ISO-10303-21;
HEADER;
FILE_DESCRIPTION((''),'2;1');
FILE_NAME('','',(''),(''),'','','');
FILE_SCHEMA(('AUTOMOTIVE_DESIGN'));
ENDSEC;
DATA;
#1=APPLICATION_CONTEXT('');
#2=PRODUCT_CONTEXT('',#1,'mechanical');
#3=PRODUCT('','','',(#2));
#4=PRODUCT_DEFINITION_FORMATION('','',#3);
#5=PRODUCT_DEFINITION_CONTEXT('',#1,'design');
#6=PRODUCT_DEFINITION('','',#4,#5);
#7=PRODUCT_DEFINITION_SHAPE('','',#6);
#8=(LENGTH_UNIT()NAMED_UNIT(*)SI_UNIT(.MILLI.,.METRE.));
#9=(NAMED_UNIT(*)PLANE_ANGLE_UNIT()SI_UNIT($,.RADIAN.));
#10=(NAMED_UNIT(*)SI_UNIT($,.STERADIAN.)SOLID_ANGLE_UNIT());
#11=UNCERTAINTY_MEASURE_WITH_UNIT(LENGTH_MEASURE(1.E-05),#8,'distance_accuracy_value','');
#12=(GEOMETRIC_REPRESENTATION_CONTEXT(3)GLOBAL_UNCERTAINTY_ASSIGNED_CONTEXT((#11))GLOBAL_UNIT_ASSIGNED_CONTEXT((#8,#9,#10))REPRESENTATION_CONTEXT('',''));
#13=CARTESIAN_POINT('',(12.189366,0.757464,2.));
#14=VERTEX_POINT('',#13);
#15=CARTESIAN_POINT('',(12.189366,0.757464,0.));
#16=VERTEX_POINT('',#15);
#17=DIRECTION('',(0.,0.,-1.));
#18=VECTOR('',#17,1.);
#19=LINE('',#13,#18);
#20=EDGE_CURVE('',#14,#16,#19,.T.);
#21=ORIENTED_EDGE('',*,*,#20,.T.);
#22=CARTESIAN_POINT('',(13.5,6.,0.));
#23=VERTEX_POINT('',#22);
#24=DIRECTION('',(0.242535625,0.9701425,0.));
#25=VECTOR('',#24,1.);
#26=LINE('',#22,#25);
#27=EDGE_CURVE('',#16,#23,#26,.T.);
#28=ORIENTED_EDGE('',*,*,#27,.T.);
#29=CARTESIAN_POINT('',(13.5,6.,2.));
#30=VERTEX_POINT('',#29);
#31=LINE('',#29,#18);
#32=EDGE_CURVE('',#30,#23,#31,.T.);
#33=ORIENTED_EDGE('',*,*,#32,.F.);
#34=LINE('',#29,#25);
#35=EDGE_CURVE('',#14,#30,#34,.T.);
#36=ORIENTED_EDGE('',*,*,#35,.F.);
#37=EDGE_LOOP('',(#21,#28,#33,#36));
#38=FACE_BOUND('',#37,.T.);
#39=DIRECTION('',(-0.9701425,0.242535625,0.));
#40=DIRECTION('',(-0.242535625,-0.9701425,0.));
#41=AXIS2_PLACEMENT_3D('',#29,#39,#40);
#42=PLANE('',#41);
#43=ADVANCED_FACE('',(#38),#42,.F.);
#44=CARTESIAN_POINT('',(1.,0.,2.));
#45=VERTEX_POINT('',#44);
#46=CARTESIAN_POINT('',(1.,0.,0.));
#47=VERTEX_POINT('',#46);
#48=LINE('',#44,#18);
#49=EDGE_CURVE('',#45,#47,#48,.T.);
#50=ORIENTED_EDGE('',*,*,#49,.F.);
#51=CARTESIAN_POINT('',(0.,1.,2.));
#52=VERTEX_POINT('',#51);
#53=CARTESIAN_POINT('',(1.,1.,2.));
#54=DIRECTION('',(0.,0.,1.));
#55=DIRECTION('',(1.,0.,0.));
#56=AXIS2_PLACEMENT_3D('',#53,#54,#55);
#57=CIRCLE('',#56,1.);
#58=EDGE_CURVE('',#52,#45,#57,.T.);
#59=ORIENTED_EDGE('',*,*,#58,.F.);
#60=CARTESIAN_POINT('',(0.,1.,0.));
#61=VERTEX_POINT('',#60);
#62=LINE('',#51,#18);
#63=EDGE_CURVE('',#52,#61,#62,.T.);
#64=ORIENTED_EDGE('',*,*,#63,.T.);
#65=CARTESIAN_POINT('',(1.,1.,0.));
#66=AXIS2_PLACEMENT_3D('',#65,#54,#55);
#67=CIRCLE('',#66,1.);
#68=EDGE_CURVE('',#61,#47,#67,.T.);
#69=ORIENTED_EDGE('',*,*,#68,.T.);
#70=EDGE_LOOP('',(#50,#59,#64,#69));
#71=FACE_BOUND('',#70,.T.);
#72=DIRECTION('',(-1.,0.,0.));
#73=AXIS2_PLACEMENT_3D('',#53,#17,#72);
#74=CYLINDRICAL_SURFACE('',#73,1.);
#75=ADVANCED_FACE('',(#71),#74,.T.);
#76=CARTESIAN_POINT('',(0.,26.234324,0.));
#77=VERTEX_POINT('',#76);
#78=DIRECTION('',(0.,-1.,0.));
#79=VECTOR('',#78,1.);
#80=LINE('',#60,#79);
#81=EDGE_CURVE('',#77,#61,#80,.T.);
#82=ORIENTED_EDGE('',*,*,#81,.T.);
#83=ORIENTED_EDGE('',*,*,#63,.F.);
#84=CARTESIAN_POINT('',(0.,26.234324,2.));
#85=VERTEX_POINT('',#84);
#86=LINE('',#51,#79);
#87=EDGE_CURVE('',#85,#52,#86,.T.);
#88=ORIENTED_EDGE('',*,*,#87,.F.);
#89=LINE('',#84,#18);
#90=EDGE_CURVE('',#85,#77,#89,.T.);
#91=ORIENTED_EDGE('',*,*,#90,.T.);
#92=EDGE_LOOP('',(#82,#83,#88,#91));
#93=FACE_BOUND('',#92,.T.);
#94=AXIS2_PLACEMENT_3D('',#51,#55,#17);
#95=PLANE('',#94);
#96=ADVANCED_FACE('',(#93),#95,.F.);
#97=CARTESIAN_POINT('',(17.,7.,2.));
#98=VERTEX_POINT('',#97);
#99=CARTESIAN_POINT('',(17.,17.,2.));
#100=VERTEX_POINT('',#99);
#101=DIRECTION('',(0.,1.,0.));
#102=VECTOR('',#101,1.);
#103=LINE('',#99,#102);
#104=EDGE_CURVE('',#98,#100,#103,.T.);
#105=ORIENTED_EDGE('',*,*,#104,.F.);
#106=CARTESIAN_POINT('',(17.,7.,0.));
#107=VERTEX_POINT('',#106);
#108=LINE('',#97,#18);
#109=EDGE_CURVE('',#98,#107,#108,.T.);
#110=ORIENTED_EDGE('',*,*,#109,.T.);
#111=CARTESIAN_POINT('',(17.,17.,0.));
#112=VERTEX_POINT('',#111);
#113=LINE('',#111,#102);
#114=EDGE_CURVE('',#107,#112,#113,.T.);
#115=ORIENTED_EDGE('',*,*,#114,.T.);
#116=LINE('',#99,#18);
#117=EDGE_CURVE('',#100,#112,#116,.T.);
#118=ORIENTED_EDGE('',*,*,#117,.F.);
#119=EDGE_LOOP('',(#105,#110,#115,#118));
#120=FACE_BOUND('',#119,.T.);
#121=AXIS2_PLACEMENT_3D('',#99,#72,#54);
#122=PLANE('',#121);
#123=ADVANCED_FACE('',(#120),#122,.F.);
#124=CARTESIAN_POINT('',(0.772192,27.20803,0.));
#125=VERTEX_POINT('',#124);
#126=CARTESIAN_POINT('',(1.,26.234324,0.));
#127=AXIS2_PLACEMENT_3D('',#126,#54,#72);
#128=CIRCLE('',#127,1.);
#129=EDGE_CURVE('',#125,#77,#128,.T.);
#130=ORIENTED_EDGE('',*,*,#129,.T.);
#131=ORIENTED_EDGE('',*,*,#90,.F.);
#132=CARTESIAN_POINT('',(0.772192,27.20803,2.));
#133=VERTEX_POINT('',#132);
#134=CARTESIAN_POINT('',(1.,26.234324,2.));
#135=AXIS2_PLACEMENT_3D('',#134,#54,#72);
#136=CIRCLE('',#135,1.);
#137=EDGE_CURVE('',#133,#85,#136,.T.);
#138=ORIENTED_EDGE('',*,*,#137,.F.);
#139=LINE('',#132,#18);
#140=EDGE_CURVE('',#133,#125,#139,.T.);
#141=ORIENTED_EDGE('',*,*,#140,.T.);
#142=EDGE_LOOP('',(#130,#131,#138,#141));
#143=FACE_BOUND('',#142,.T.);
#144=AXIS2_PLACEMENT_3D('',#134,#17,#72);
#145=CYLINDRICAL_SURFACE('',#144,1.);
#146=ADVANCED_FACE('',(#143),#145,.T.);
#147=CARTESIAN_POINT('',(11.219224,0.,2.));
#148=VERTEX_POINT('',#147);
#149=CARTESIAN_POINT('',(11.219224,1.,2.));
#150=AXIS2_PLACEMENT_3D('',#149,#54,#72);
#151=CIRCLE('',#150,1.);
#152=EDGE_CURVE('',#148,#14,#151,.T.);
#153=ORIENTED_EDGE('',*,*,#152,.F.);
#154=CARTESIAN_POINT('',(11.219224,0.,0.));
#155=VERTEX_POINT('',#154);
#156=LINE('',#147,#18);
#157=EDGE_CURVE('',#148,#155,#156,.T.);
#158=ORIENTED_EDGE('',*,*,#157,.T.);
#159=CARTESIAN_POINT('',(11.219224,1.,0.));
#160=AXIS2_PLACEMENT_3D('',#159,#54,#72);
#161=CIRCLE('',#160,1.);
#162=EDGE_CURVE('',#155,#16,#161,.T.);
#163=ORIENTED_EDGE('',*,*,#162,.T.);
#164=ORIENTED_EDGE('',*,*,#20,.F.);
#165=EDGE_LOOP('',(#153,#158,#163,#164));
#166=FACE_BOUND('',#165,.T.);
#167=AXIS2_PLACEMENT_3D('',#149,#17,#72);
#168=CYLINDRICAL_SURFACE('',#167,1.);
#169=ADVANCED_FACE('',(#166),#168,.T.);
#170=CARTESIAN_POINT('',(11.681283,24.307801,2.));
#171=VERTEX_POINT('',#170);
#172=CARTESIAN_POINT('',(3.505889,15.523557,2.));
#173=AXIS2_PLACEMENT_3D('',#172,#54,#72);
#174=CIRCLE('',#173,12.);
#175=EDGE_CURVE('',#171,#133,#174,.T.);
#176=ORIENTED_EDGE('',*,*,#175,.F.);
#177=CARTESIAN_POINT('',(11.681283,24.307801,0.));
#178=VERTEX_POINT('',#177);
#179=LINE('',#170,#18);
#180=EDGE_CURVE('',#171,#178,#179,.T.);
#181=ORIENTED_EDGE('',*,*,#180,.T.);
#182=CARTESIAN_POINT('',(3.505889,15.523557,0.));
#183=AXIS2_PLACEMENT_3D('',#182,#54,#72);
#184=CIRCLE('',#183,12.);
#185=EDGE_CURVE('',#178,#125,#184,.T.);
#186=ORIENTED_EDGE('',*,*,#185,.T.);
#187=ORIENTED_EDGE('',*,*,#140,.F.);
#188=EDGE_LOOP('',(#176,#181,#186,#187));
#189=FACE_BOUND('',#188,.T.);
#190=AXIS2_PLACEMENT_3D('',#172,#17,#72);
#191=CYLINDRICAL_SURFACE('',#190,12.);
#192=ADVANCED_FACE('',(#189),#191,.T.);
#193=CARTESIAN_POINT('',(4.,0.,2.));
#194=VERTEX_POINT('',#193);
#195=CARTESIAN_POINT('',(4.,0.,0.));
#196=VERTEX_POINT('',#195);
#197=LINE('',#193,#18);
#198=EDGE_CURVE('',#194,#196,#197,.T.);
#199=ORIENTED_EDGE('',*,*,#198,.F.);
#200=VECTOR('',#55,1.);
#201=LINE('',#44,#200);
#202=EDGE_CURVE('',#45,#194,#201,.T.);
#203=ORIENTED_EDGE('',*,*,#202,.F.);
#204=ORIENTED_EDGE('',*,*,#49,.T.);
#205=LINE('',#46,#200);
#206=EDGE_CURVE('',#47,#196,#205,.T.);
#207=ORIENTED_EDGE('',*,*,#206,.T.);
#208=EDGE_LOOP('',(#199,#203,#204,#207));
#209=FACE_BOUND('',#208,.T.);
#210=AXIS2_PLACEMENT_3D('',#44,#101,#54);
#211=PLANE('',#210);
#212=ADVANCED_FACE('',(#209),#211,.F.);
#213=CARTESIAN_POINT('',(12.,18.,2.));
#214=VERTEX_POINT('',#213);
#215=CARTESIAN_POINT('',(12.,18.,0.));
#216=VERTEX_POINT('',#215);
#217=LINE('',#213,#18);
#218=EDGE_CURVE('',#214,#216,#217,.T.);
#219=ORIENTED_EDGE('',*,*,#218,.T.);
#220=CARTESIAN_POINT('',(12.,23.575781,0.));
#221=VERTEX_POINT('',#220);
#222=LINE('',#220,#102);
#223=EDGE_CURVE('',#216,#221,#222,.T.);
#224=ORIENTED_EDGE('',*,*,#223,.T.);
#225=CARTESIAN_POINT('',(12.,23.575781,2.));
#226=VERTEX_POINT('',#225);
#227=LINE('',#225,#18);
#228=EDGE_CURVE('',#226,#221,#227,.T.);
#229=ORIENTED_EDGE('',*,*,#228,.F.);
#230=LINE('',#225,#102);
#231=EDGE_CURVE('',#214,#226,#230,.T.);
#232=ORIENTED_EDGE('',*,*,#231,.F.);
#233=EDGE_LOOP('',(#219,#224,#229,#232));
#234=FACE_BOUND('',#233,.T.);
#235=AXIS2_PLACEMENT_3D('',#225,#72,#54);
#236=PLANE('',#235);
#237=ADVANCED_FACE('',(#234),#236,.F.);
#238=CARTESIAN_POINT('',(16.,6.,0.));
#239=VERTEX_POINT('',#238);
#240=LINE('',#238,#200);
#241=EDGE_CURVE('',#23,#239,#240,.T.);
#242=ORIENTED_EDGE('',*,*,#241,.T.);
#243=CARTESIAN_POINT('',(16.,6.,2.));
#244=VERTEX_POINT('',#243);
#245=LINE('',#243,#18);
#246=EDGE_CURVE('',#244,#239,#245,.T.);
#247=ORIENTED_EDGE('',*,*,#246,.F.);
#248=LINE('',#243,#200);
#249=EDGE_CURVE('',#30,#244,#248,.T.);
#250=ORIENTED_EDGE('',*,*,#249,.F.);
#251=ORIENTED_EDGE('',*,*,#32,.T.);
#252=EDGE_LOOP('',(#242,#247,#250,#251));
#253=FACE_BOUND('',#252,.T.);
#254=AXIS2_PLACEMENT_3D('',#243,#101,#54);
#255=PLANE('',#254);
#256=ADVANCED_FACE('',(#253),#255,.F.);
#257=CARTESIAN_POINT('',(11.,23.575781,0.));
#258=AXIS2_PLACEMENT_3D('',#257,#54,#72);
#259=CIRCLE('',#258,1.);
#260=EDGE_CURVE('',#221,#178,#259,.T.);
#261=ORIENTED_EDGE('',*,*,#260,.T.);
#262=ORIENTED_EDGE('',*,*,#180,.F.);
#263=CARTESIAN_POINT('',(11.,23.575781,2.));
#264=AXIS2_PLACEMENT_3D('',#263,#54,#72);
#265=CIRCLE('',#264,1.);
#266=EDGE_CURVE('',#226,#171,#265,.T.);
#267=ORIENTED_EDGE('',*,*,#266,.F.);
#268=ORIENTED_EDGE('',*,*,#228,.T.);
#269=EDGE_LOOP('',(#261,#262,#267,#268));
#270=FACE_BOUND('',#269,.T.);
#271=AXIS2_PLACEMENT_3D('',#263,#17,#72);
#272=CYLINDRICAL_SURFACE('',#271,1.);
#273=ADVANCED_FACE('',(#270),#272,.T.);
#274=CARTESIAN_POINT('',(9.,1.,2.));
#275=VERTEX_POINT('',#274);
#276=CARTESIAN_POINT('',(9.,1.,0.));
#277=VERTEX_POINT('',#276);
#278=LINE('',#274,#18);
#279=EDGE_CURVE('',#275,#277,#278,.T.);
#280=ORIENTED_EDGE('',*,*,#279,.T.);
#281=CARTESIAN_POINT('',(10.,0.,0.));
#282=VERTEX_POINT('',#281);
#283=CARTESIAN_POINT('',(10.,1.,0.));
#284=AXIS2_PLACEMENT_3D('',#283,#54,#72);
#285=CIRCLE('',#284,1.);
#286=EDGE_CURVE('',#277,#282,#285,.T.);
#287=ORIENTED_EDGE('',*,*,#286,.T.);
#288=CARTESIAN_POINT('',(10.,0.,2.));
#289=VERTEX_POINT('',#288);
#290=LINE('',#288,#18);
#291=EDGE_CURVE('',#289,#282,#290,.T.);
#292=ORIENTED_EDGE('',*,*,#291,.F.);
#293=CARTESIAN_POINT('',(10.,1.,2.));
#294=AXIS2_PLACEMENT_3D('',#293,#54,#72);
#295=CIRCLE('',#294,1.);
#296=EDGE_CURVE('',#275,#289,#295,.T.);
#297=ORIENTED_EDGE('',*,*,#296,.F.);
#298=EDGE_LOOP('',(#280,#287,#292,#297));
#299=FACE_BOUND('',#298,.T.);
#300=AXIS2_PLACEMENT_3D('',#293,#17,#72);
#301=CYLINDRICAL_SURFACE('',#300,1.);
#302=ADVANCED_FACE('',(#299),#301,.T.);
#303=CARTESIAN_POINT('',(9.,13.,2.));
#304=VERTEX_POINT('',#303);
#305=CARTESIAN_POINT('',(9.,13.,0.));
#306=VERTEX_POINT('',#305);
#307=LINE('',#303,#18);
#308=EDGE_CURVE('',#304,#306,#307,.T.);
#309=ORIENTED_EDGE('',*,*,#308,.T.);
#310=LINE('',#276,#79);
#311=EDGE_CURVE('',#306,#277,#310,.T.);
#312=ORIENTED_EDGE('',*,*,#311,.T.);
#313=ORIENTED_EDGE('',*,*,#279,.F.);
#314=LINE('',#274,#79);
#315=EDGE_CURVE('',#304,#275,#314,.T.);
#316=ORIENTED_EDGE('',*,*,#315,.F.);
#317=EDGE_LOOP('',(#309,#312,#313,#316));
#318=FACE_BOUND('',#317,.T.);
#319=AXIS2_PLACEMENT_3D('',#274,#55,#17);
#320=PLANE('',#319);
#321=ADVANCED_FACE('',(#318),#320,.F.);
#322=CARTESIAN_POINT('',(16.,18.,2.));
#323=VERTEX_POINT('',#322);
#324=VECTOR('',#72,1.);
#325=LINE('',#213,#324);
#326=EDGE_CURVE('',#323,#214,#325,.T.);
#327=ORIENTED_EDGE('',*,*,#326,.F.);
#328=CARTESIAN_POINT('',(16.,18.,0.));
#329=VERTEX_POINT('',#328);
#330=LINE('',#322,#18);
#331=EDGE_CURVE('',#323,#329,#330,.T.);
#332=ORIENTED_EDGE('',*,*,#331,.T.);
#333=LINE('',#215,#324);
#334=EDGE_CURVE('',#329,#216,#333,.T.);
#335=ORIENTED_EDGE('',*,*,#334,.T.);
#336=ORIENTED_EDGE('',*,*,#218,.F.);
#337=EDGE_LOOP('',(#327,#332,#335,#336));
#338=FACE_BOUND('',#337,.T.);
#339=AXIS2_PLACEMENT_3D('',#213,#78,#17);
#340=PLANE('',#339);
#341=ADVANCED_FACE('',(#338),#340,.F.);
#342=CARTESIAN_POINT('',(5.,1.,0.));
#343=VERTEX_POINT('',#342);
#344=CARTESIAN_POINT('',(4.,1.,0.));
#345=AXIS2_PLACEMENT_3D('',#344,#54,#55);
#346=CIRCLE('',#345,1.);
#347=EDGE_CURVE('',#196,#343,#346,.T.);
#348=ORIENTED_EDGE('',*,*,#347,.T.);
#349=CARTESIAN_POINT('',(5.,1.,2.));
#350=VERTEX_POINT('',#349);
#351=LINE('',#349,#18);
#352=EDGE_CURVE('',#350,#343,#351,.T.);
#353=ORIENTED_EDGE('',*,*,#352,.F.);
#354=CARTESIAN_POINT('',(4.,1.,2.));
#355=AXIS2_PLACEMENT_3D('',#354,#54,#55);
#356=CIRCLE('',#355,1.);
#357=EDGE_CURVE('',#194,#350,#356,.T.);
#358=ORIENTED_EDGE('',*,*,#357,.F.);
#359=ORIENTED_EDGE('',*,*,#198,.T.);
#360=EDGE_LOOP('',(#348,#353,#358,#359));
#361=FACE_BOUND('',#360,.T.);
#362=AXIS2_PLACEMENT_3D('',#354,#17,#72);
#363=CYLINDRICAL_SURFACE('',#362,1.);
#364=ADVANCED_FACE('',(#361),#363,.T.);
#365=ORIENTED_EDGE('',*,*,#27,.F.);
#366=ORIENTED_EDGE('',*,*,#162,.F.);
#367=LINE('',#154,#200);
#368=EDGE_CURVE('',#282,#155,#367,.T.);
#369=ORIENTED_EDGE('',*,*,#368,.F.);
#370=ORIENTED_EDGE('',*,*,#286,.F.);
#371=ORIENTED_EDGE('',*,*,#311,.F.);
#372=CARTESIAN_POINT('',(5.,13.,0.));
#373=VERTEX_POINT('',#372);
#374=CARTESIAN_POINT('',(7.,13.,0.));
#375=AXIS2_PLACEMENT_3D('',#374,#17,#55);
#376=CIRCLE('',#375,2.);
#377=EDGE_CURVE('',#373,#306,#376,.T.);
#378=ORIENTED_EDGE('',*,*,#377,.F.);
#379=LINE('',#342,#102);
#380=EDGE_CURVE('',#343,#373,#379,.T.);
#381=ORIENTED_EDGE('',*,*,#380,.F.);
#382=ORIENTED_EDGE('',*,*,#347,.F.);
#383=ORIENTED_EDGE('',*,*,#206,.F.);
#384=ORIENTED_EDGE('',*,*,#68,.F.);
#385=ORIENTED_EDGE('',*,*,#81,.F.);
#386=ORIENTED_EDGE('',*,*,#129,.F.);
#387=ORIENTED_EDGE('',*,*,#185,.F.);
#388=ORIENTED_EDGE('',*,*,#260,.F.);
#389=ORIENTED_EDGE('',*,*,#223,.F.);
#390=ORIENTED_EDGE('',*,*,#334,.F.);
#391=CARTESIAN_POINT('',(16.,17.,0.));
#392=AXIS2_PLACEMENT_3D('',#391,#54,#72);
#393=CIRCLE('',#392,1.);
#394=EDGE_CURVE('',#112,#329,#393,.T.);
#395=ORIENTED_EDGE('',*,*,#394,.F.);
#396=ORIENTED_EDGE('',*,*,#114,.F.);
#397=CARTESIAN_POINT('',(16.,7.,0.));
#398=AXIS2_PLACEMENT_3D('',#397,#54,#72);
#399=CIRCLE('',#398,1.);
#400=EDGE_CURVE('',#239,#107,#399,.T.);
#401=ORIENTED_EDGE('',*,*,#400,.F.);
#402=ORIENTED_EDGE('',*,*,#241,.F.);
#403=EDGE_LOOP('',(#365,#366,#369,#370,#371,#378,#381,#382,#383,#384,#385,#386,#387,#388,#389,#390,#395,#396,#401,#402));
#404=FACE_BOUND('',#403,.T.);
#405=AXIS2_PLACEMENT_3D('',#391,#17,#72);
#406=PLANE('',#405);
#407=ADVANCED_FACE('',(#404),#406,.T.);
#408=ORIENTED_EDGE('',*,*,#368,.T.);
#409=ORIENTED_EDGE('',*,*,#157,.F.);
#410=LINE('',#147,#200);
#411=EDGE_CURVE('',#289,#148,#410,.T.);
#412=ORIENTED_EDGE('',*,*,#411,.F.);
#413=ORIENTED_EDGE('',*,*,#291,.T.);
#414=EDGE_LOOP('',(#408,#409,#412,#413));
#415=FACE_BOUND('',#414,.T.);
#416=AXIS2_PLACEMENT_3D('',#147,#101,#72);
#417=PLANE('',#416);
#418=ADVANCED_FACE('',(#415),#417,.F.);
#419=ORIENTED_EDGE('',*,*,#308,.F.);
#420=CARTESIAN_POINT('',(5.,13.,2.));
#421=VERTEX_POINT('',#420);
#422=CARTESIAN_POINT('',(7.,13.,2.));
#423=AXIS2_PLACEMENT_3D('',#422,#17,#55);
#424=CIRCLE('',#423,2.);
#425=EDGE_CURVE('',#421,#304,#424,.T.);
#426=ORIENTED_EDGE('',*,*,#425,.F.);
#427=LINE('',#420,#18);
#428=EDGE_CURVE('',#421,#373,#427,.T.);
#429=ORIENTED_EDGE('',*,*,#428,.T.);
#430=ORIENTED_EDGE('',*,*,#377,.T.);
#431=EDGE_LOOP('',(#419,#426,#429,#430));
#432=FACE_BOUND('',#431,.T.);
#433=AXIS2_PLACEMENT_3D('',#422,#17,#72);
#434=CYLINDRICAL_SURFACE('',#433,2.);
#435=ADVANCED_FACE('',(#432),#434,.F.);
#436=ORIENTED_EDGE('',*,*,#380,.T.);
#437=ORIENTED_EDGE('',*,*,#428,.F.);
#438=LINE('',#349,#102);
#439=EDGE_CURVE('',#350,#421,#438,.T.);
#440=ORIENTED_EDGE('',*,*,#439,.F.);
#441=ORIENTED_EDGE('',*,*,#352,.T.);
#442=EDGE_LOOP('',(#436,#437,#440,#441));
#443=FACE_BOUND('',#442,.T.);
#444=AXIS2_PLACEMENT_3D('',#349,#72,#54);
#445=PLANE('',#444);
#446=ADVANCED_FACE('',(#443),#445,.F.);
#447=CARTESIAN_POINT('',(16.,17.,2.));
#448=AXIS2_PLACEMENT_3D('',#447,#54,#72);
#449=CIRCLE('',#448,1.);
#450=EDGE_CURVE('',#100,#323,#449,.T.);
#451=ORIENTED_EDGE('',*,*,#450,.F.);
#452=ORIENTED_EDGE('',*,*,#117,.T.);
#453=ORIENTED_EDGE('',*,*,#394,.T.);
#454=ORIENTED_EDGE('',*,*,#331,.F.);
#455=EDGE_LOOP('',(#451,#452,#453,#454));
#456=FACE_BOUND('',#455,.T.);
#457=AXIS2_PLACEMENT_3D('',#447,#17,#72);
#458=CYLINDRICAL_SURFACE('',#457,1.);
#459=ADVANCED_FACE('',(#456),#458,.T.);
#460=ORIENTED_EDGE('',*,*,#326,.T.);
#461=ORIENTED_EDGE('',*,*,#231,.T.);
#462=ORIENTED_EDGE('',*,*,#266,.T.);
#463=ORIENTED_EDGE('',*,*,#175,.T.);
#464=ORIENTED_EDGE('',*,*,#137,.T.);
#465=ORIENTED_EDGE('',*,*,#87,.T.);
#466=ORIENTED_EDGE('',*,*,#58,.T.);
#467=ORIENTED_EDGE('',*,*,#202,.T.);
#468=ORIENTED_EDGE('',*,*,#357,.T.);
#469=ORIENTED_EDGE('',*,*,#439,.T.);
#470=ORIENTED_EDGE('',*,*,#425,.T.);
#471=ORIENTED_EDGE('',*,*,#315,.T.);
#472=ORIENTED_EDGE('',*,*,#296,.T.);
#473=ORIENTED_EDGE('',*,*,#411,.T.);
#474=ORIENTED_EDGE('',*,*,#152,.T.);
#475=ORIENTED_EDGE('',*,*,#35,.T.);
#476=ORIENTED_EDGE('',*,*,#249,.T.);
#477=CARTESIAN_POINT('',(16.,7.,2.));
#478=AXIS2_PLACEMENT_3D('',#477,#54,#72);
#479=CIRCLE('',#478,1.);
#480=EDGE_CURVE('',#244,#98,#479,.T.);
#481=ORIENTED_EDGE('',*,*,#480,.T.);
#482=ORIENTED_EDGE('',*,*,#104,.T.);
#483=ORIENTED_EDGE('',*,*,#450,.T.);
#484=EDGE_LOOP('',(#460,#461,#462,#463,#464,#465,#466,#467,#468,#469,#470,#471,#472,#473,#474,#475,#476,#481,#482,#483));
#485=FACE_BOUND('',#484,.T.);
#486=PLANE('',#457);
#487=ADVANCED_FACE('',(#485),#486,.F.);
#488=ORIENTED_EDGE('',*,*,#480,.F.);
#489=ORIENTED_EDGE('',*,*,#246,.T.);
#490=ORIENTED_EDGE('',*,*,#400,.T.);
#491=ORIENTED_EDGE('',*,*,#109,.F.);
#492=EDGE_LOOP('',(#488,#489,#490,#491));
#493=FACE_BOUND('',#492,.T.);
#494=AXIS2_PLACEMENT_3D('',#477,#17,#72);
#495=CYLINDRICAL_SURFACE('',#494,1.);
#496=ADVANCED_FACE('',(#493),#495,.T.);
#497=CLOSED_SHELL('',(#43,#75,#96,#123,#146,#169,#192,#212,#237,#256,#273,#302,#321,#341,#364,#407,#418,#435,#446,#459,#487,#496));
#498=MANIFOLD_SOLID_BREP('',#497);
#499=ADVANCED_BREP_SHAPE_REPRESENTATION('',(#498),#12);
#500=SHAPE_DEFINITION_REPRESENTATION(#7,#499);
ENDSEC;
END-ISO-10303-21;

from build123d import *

# Parameters (mm, degrees)
RESSALTO_EXTRUS_O1_DEPTH = 2


with BuildPart() as part:
    # Esboço1 → Ressalto-extrusão1 (new body)
    with BuildSketch(Plane.XY):
        with BuildLine():
            Line((0, 1), (0, 26.234323652))
            ThreePointArc((0, 26.234323652), (0.216479701, 26.855689841), (0.772191883, 27.208029697))
            ThreePointArc((0.772191883, 27.208029697), (6.58904443, 27.120718638), (11.681282792, 24.30780107))
            ThreePointArc((11.681282792, 24.30780107), (11.916864982, 23.974978194), (12, 23.575780744))
            Line((12, 23.575780744), (12, 18))
            Line((12, 18), (16, 18))
            ThreePointArc((16, 18), (16.707106781, 17.707106781), (17, 17))
            Line((17, 17), (17, 7))
            ThreePointArc((17, 7), (16.707106781, 6.292893219), (16, 6))
            Line((16, 6), (13.5, 6))
            Line((13.5, 6), (12.189366094, 0.757464375))
            ThreePointArc((12.189366094, 0.757464375), (11.834635803, 0.211794562), (11.219223594, 0))
            Line((11.219223594, 0), (10, 0))
            ThreePointArc((10, 0), (9.292893219, 0.292893219), (9, 1))
            Line((9, 1), (9, 13))
            ThreePointArc((9, 13), (7, 15), (5, 13))
            Line((5, 13), (5, 1))
            ThreePointArc((5, 1), (4.707106781, 0.292893219), (4, 0))
            Line((4, 0), (1, 0))
            ThreePointArc((1, 0), (0.292893219, 0.292893219), (0, 1))
        make_face()
    extrude(amount=RESSALTO_EXTRUS_O1_DEPTH)


solid = part.part
